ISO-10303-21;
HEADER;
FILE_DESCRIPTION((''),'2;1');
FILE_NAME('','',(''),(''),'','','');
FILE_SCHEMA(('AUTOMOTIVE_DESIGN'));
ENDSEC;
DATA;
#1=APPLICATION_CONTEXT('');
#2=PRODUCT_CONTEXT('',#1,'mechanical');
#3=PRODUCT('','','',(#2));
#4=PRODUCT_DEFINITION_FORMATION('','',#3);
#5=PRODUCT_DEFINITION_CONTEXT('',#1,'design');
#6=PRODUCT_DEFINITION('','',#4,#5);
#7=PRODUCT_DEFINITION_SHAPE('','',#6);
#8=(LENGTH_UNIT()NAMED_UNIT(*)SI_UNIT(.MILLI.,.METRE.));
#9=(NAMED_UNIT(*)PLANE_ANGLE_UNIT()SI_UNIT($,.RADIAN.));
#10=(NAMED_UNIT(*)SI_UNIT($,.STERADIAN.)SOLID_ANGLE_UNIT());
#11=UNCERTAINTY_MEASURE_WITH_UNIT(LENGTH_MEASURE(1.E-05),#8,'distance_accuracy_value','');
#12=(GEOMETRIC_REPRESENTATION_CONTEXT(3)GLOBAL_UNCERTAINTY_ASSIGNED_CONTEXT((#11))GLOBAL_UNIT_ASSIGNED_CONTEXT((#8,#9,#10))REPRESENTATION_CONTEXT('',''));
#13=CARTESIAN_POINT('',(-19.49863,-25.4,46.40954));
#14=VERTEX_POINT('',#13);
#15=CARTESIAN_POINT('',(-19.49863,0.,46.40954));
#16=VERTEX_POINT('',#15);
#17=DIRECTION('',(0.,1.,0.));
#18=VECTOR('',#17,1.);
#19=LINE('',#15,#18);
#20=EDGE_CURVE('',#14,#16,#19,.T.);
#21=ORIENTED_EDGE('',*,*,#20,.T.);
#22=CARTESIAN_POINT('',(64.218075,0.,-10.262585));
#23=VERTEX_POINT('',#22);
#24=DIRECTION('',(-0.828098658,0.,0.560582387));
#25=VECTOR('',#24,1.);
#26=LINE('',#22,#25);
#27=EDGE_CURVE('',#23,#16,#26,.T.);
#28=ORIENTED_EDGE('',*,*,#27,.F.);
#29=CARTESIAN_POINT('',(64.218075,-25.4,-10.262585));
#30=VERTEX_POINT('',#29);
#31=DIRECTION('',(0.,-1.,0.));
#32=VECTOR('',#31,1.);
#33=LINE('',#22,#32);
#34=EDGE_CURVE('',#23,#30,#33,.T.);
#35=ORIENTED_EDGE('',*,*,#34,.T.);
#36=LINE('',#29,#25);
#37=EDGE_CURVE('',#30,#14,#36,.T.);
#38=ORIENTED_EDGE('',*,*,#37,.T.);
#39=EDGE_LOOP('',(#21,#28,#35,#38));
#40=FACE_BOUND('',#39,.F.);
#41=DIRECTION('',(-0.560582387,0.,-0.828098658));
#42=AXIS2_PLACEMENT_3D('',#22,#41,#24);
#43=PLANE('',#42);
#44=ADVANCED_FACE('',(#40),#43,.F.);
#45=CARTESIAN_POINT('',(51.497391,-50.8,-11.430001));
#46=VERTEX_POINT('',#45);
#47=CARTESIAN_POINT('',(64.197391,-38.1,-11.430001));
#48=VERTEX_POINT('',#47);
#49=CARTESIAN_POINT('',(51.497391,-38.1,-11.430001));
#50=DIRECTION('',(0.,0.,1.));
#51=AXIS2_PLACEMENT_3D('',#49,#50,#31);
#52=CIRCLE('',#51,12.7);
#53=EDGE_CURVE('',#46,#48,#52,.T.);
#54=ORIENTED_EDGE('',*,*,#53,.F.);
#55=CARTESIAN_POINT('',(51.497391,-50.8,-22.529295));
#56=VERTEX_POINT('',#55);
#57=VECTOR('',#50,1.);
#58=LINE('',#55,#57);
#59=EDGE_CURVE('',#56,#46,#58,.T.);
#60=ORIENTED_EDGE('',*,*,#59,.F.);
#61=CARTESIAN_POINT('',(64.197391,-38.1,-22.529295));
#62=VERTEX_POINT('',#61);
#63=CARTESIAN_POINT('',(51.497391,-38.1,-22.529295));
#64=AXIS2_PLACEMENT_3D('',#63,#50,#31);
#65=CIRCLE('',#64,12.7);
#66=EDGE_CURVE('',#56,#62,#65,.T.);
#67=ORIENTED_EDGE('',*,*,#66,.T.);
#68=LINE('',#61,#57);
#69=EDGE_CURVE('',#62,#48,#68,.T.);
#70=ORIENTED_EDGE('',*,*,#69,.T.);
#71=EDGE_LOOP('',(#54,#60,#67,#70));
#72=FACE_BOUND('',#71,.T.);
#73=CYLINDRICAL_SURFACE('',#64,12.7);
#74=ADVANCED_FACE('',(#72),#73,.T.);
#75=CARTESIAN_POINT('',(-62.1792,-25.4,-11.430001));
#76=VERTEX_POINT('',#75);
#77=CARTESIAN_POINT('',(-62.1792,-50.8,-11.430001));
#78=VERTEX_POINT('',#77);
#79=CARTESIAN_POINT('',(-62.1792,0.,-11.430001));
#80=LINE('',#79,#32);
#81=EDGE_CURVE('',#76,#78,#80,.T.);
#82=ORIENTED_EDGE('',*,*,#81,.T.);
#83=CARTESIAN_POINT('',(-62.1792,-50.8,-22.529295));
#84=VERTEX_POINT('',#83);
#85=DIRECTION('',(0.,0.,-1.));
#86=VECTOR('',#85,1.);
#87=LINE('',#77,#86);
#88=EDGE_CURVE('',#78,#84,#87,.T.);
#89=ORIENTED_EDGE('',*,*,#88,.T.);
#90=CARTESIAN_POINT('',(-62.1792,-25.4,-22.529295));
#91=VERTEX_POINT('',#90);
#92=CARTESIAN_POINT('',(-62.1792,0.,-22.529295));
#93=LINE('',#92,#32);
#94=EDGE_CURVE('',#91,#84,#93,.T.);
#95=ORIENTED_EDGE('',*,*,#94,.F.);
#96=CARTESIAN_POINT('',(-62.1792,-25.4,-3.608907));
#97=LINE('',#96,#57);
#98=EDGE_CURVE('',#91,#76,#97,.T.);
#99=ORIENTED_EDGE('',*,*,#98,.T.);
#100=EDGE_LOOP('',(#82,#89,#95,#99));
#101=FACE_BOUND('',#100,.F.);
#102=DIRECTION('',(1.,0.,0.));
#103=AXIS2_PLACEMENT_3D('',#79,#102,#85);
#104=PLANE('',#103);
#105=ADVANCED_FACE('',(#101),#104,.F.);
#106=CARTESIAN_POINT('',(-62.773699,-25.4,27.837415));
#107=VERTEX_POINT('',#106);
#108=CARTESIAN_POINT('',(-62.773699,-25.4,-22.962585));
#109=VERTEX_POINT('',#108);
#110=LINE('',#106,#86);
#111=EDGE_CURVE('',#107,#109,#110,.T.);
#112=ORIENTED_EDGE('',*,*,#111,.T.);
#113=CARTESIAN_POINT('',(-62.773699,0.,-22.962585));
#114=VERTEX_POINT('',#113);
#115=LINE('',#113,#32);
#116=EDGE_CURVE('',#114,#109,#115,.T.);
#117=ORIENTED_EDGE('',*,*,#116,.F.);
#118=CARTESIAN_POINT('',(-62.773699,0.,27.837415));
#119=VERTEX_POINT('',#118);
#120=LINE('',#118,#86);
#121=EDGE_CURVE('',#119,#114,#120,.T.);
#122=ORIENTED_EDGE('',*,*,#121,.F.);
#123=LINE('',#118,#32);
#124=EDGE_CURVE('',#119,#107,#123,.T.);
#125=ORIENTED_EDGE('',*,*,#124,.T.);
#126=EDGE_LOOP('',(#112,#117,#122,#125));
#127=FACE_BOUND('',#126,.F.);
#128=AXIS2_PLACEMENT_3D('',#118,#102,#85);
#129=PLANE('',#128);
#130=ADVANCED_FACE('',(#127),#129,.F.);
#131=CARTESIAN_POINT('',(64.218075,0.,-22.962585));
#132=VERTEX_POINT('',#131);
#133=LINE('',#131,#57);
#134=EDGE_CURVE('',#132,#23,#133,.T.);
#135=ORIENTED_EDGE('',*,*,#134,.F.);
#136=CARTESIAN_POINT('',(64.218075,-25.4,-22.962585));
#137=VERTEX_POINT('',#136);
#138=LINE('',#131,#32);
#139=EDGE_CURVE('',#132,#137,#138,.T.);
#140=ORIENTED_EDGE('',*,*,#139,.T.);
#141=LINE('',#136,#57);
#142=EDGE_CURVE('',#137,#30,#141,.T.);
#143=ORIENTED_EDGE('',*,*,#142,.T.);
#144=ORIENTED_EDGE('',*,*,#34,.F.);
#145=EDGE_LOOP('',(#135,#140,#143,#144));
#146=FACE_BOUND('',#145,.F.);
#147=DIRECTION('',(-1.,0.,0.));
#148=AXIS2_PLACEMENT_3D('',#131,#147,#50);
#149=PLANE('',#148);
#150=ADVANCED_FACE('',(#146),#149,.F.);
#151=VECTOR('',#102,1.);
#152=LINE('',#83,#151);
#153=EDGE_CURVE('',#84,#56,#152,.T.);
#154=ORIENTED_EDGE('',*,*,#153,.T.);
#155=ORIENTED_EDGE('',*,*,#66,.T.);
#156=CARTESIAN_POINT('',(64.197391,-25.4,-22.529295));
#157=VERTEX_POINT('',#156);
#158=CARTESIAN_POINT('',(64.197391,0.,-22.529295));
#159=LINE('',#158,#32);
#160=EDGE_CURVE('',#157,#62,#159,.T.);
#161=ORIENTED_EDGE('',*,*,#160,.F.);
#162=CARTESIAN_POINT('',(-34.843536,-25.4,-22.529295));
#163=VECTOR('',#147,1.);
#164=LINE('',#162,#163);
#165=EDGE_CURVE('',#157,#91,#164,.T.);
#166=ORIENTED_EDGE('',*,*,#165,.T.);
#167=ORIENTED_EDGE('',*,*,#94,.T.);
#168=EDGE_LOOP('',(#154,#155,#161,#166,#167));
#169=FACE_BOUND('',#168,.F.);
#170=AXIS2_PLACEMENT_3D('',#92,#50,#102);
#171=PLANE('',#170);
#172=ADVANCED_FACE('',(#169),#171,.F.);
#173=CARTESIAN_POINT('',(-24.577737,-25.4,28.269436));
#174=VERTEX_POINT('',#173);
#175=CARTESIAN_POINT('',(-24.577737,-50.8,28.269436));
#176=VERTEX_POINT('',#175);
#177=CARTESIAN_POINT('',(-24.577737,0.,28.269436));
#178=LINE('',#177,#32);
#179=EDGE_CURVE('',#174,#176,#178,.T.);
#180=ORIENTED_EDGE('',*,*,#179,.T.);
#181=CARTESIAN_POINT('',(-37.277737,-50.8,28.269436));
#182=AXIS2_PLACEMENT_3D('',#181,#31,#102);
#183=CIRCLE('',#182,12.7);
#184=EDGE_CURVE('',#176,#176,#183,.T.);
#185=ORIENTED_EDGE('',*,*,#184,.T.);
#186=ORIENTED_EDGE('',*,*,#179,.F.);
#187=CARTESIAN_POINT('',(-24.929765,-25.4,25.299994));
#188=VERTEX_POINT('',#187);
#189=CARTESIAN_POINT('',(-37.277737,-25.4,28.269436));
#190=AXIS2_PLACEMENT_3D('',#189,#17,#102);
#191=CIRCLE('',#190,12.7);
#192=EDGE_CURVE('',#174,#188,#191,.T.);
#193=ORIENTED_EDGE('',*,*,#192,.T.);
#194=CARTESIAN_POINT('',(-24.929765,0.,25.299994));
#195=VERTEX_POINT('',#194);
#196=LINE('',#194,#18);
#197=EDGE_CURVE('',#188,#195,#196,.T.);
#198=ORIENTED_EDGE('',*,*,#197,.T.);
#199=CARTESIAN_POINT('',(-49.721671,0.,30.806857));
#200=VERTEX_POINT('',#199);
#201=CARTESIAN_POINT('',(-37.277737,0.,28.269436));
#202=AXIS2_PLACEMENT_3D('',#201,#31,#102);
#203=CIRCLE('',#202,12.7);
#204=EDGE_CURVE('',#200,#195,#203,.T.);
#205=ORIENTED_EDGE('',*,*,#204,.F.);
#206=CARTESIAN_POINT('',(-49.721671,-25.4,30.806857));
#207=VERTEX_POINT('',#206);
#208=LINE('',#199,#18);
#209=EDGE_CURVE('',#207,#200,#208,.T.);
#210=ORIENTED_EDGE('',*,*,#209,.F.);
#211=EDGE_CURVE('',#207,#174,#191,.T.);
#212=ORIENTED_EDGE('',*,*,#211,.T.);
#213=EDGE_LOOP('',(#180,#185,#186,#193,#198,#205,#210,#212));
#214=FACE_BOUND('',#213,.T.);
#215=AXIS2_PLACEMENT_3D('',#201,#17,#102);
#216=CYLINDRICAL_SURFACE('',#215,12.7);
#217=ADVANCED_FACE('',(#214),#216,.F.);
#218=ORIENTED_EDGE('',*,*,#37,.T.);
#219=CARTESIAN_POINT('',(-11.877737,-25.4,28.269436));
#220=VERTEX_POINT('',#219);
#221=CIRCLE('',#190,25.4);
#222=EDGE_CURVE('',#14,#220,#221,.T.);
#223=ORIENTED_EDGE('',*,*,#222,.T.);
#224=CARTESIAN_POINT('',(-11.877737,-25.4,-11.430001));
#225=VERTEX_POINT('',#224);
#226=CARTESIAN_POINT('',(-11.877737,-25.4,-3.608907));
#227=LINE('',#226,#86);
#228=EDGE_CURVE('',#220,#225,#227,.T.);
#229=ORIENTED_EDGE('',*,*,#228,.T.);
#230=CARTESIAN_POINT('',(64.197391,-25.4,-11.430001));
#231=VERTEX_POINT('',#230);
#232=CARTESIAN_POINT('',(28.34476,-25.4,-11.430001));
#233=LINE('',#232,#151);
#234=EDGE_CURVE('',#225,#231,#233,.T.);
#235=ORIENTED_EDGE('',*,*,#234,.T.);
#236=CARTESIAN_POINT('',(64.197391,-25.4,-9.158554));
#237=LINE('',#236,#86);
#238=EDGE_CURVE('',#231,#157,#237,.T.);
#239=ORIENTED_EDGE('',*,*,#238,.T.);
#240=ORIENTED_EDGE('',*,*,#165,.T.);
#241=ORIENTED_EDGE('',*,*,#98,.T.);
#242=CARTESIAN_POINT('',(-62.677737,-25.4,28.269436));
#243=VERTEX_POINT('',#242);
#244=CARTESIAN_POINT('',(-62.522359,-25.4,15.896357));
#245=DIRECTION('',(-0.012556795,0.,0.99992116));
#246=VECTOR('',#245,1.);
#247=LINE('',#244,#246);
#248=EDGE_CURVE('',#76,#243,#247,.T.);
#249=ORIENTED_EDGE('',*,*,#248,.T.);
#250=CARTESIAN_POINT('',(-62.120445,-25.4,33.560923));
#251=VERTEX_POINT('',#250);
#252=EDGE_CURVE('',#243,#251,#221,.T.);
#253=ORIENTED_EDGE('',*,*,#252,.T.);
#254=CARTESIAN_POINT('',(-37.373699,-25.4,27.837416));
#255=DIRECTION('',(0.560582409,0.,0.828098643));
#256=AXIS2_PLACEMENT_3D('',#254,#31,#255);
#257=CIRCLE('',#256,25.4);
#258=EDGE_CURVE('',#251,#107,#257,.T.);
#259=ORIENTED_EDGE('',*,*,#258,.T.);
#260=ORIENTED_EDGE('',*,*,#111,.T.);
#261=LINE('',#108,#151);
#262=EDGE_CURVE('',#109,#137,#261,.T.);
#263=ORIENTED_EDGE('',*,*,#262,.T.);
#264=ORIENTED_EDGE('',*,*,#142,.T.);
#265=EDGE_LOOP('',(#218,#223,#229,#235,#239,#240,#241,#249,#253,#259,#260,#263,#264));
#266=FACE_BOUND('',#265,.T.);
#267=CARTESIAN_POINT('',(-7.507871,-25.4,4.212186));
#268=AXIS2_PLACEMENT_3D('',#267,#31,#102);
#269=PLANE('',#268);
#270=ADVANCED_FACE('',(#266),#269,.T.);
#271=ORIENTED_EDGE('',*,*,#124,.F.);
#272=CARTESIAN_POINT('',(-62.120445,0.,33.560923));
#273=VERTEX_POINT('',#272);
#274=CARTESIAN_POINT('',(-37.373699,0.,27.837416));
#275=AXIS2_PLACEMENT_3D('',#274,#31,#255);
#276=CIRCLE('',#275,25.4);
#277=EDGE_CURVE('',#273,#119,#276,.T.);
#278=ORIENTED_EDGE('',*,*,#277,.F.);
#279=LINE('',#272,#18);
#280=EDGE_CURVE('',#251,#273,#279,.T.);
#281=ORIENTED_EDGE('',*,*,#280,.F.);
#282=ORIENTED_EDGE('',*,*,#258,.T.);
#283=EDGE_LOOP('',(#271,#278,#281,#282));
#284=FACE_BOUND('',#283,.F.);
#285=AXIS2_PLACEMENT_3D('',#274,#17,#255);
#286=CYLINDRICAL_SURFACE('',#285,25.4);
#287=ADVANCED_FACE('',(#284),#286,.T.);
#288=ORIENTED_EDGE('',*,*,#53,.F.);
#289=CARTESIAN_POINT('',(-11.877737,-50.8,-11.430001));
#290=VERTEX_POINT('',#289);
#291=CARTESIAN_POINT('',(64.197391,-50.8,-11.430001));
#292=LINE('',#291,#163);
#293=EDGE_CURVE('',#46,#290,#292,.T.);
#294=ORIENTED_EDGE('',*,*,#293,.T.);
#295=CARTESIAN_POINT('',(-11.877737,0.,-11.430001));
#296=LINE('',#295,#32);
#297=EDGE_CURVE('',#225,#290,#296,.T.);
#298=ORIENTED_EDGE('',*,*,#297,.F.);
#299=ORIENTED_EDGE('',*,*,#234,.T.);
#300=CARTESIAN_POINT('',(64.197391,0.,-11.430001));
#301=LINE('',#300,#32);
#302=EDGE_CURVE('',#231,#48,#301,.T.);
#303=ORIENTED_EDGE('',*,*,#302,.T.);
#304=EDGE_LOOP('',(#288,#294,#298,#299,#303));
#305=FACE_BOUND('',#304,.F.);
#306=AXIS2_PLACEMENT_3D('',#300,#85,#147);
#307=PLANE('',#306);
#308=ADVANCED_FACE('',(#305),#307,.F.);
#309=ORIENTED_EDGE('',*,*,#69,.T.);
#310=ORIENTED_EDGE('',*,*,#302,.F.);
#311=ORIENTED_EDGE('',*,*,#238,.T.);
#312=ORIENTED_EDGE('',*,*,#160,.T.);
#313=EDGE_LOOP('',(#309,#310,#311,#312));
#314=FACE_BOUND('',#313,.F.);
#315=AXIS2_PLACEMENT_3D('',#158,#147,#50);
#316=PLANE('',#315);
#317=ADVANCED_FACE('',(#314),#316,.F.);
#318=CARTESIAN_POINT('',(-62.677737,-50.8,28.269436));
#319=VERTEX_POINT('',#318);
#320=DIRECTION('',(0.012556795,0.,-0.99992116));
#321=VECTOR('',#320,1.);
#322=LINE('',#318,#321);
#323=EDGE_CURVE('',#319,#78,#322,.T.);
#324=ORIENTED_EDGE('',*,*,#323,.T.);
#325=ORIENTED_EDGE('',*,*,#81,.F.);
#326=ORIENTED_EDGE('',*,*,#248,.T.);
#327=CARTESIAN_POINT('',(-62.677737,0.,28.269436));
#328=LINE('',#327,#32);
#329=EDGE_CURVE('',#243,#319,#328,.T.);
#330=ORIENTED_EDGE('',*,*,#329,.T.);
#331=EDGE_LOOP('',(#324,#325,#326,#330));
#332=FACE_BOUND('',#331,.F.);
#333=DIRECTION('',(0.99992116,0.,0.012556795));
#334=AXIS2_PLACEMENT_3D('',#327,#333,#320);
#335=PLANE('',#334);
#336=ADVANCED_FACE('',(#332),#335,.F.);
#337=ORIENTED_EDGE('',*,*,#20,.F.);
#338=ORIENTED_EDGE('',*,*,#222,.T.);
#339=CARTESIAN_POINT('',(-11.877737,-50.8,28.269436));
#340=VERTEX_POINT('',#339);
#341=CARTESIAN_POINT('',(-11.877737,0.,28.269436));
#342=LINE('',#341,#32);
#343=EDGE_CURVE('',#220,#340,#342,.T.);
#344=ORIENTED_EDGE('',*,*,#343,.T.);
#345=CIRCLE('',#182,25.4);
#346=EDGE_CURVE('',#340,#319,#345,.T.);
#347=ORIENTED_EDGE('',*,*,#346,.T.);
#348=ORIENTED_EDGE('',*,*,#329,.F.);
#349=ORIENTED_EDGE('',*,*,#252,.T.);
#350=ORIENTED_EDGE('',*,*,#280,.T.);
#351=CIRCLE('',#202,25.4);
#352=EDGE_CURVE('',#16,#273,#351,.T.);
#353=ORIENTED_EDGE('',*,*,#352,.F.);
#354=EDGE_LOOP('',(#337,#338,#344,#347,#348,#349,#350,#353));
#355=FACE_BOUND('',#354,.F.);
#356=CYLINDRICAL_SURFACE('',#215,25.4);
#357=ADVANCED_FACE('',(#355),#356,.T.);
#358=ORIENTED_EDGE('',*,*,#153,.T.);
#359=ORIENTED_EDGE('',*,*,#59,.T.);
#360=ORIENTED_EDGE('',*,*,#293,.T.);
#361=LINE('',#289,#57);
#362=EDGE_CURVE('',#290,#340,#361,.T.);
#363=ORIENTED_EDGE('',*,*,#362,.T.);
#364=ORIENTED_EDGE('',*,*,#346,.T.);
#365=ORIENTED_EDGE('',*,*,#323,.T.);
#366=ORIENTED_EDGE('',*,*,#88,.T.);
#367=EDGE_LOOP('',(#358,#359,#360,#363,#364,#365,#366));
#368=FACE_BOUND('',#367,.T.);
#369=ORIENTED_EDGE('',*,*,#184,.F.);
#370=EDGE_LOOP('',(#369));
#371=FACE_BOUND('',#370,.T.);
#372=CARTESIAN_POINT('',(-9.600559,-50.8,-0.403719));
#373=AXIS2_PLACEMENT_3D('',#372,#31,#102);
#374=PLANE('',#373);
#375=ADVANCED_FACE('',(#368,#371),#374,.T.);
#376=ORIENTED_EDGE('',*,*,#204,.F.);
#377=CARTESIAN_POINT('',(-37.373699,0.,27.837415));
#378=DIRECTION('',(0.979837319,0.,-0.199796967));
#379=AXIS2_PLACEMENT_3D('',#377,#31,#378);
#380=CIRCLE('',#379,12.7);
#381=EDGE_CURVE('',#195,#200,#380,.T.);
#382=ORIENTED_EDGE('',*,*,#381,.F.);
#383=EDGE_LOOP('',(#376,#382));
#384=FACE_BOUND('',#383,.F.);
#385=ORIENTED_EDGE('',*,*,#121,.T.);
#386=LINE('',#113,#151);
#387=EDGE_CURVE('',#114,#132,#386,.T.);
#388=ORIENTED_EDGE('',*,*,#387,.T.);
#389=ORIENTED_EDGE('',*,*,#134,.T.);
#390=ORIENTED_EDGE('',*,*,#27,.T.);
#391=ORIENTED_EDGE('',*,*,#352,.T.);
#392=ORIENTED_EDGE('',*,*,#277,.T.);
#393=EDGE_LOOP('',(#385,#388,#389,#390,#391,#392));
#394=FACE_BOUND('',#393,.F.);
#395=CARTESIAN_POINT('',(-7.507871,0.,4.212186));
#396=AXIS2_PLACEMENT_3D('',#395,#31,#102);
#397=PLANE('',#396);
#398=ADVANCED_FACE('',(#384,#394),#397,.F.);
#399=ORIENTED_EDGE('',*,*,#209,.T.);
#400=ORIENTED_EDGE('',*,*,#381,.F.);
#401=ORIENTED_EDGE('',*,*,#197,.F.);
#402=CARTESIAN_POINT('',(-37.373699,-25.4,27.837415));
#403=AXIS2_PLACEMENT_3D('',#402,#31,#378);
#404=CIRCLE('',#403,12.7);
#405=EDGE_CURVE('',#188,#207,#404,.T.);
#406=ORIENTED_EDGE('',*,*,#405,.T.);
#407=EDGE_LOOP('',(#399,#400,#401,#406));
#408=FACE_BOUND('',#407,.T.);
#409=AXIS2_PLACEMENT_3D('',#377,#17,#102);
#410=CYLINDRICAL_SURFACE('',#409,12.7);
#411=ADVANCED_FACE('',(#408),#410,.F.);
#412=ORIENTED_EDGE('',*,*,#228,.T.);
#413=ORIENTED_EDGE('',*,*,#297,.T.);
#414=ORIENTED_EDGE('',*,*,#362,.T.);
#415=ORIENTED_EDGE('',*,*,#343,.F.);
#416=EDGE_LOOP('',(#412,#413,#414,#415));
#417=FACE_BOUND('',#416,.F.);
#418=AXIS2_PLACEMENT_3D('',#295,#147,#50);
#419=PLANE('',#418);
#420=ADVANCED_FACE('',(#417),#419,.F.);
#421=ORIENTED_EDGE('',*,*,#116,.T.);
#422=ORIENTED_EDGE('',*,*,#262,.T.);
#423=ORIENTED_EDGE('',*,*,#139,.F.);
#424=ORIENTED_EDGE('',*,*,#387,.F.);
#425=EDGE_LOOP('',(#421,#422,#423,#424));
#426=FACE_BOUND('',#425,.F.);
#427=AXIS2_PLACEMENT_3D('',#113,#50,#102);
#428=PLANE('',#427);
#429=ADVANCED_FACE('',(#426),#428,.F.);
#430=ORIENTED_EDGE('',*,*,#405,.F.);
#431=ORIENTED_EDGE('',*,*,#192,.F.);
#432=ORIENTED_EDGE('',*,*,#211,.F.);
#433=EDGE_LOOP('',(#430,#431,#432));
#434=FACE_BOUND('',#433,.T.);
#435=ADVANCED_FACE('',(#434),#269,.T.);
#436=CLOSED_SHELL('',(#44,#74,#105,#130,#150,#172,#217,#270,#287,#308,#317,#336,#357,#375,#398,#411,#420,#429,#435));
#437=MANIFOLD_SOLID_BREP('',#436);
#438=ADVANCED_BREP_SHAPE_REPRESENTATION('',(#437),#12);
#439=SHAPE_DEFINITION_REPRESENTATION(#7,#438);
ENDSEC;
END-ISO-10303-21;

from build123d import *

# Parameters (mm, degrees)
F0_R     = 12.7
F1_DEPTH = 25.4
F2_R     = 12.7
F3_DEPTH = 50.8
F4_R     = 12.7


with BuildPart() as f1:
    # F0 (on Front) → F1 (new body)
    with BuildSketch(Plane.XZ):
        with BuildLine():
            Line((64.218075, -10.262585), (-23.134906, 48.871121))
            ThreePointArc((-23.134906, 48.871121), (-49.279468, 50.274275), (-62.773699, 27.837415))
            Line((-62.773699, 27.837415), (-62.773699, -22.962585))
            Line((-62.773699, -22.962585), (64.218075, -22.962585))
            Line((64.218075, -22.962585), (64.218075, -10.262585))
        make_face()
        with Locations((-37.373699, 27.837415)):
            Circle(F0_R, mode=Mode.SUBTRACT)
    extrude(amount=F1_DEPTH)

    # F2 (on Front) → F3 (join)
    with BuildSketch(Plane.XZ):
        with BuildLine():
            Line((-11.877737, -11.430001), (-11.877737, 28.269436))
            ThreePointArc((-11.877737, 28.269436), (-37.277737, 53.669436), (-62.677737, 28.269436))
            Line((-62.677737, 28.269436), (-62.1792, -11.430001))
            Line((-62.1792, -11.430001), (-62.1792, -22.529295))
            Line((-62.1792, -22.529295), (64.197391, -22.529295))
            Line((64.197391, -22.529295), (64.197391, -11.430001))
            Line((64.197391, -11.430001), (-11.877737, -11.430001))
        make_face()
        with Locations((-37.277737, 28.269436)):
            Circle(F2_R, mode=Mode.SUBTRACT)
    extrude(amount=F3_DEPTH)

    # F4
    f4_edges = [f1.edges().sort_by_distance(p)[0] for p in [
        (64.197391, -50.8, -16.979648),
    ]]
    fillet(f4_edges, radius=F4_R)


solid = f1.part
